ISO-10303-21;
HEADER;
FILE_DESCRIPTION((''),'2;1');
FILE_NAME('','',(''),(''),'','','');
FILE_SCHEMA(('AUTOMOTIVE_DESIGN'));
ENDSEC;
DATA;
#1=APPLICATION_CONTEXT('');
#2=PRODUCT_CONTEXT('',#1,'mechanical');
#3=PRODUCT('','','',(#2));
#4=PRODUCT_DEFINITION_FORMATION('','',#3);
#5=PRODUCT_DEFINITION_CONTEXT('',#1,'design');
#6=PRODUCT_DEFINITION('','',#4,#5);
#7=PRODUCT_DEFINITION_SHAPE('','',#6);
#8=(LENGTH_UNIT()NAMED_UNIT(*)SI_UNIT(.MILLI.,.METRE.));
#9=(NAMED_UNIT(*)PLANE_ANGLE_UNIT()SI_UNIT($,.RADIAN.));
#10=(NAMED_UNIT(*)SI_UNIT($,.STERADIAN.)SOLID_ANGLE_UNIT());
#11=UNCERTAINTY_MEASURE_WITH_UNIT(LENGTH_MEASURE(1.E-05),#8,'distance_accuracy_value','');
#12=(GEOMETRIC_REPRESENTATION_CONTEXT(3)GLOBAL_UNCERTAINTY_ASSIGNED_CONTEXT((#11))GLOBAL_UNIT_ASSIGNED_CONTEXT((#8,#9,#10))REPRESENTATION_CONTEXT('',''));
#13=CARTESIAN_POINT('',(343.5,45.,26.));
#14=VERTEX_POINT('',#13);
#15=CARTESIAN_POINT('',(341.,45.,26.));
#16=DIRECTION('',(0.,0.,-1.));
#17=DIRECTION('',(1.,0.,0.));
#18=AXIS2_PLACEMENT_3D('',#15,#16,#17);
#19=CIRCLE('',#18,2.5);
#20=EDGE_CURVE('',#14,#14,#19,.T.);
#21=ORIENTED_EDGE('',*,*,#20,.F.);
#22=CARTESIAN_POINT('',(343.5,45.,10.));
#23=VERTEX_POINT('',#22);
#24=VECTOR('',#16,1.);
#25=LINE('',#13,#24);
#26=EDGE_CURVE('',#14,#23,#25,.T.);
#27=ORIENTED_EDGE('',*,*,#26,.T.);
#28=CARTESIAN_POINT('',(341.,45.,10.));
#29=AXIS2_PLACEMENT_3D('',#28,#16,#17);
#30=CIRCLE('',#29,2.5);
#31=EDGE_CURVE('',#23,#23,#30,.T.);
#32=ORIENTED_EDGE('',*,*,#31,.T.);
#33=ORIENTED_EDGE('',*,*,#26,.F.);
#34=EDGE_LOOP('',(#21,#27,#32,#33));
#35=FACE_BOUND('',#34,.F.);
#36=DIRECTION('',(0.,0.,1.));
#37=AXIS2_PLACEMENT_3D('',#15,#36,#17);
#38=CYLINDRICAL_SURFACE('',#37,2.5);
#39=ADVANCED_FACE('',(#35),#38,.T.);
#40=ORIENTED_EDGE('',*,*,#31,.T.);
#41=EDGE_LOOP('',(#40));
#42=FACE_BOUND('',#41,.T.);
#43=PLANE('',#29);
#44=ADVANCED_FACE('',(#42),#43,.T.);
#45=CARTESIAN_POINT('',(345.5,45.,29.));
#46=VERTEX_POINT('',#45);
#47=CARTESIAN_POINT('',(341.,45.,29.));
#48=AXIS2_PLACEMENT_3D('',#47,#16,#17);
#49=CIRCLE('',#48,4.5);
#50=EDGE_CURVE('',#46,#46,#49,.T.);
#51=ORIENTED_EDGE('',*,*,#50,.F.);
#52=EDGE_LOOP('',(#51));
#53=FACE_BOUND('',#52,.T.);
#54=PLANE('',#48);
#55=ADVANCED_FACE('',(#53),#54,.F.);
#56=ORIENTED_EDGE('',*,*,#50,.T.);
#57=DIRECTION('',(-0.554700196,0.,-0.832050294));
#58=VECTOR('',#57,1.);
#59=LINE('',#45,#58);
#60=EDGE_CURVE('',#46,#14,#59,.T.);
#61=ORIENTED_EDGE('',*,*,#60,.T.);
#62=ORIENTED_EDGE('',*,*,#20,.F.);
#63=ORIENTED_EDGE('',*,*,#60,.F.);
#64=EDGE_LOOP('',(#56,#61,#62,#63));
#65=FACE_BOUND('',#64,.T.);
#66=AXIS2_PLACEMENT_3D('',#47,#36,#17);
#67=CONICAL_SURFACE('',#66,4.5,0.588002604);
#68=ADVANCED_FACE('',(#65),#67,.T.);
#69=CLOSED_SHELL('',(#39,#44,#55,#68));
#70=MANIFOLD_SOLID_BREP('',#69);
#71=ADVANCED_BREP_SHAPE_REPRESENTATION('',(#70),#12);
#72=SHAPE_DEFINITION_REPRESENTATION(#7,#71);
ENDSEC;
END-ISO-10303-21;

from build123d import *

# Parameters (mm, degrees)
CYLINDER011_R                   = 2.5
CYLINDER011_DEPTH               = 16
FUSION001018017_PLACEMENT_ANGLE = 180
CLONE024_PLACEMENT_ANGLE        = 180


with BuildPart() as cone003:
    # Cone003 → Cone003 (revolve)
    with BuildSketch(Plane(origin=(0, 0, -3), x_dir=(1, 0, 0), z_dir=(0, -1, 0))):
        Polygon((0, 0), (4.5, 0), (2.5, 3), (0, 3), align=None)
    revolve(axis=Axis((0, 0, -3), (0, 0, 1)))


with BuildPart() as m5x16_senkkopf019:
    # Cylinder011 → Cylinder011 (new body)
    with BuildSketch(Plane.XY):
        Circle(CYLINDER011_R)
    extrude(amount=CYLINDER011_DEPTH)

    # Fusion001018017: union Cone003
    add(cone003.part)


with BuildPart() as m5x16_senkkopf019_1:
    # Fusion001018017 placement: moved
    add(m5x16_senkkopf019.part.moved(Location((45, 15, 21))).rotate(Axis((45, 15, 21), (0, 1, 0)), FUSION001018017_PLACEMENT_ANGLE))


with BuildPart() as m5x16_senkkopf019_2:
    # Clone024 placement: moved
    add(m5x16_senkkopf019_1.part.moved(Location((90, 270, 0))).rotate(Axis((90, 270, 0), (0, 0, 1)), CLONE024_PLACEMENT_ANGLE))


with BuildPart() as m5x16_senkkopf019_3:
    # Clone032 placement: moved
    add(m5x16_senkkopf019_2.part.moved(Location((270, 0, 0))))


with BuildPart() as m5x16_senkkopf019_4:
    # Clone035 placement: moved
    add(m5x16_senkkopf019_3.part.moved(Location((26, -210, 5))))


solid = m5x16_senkkopf019_4.part
